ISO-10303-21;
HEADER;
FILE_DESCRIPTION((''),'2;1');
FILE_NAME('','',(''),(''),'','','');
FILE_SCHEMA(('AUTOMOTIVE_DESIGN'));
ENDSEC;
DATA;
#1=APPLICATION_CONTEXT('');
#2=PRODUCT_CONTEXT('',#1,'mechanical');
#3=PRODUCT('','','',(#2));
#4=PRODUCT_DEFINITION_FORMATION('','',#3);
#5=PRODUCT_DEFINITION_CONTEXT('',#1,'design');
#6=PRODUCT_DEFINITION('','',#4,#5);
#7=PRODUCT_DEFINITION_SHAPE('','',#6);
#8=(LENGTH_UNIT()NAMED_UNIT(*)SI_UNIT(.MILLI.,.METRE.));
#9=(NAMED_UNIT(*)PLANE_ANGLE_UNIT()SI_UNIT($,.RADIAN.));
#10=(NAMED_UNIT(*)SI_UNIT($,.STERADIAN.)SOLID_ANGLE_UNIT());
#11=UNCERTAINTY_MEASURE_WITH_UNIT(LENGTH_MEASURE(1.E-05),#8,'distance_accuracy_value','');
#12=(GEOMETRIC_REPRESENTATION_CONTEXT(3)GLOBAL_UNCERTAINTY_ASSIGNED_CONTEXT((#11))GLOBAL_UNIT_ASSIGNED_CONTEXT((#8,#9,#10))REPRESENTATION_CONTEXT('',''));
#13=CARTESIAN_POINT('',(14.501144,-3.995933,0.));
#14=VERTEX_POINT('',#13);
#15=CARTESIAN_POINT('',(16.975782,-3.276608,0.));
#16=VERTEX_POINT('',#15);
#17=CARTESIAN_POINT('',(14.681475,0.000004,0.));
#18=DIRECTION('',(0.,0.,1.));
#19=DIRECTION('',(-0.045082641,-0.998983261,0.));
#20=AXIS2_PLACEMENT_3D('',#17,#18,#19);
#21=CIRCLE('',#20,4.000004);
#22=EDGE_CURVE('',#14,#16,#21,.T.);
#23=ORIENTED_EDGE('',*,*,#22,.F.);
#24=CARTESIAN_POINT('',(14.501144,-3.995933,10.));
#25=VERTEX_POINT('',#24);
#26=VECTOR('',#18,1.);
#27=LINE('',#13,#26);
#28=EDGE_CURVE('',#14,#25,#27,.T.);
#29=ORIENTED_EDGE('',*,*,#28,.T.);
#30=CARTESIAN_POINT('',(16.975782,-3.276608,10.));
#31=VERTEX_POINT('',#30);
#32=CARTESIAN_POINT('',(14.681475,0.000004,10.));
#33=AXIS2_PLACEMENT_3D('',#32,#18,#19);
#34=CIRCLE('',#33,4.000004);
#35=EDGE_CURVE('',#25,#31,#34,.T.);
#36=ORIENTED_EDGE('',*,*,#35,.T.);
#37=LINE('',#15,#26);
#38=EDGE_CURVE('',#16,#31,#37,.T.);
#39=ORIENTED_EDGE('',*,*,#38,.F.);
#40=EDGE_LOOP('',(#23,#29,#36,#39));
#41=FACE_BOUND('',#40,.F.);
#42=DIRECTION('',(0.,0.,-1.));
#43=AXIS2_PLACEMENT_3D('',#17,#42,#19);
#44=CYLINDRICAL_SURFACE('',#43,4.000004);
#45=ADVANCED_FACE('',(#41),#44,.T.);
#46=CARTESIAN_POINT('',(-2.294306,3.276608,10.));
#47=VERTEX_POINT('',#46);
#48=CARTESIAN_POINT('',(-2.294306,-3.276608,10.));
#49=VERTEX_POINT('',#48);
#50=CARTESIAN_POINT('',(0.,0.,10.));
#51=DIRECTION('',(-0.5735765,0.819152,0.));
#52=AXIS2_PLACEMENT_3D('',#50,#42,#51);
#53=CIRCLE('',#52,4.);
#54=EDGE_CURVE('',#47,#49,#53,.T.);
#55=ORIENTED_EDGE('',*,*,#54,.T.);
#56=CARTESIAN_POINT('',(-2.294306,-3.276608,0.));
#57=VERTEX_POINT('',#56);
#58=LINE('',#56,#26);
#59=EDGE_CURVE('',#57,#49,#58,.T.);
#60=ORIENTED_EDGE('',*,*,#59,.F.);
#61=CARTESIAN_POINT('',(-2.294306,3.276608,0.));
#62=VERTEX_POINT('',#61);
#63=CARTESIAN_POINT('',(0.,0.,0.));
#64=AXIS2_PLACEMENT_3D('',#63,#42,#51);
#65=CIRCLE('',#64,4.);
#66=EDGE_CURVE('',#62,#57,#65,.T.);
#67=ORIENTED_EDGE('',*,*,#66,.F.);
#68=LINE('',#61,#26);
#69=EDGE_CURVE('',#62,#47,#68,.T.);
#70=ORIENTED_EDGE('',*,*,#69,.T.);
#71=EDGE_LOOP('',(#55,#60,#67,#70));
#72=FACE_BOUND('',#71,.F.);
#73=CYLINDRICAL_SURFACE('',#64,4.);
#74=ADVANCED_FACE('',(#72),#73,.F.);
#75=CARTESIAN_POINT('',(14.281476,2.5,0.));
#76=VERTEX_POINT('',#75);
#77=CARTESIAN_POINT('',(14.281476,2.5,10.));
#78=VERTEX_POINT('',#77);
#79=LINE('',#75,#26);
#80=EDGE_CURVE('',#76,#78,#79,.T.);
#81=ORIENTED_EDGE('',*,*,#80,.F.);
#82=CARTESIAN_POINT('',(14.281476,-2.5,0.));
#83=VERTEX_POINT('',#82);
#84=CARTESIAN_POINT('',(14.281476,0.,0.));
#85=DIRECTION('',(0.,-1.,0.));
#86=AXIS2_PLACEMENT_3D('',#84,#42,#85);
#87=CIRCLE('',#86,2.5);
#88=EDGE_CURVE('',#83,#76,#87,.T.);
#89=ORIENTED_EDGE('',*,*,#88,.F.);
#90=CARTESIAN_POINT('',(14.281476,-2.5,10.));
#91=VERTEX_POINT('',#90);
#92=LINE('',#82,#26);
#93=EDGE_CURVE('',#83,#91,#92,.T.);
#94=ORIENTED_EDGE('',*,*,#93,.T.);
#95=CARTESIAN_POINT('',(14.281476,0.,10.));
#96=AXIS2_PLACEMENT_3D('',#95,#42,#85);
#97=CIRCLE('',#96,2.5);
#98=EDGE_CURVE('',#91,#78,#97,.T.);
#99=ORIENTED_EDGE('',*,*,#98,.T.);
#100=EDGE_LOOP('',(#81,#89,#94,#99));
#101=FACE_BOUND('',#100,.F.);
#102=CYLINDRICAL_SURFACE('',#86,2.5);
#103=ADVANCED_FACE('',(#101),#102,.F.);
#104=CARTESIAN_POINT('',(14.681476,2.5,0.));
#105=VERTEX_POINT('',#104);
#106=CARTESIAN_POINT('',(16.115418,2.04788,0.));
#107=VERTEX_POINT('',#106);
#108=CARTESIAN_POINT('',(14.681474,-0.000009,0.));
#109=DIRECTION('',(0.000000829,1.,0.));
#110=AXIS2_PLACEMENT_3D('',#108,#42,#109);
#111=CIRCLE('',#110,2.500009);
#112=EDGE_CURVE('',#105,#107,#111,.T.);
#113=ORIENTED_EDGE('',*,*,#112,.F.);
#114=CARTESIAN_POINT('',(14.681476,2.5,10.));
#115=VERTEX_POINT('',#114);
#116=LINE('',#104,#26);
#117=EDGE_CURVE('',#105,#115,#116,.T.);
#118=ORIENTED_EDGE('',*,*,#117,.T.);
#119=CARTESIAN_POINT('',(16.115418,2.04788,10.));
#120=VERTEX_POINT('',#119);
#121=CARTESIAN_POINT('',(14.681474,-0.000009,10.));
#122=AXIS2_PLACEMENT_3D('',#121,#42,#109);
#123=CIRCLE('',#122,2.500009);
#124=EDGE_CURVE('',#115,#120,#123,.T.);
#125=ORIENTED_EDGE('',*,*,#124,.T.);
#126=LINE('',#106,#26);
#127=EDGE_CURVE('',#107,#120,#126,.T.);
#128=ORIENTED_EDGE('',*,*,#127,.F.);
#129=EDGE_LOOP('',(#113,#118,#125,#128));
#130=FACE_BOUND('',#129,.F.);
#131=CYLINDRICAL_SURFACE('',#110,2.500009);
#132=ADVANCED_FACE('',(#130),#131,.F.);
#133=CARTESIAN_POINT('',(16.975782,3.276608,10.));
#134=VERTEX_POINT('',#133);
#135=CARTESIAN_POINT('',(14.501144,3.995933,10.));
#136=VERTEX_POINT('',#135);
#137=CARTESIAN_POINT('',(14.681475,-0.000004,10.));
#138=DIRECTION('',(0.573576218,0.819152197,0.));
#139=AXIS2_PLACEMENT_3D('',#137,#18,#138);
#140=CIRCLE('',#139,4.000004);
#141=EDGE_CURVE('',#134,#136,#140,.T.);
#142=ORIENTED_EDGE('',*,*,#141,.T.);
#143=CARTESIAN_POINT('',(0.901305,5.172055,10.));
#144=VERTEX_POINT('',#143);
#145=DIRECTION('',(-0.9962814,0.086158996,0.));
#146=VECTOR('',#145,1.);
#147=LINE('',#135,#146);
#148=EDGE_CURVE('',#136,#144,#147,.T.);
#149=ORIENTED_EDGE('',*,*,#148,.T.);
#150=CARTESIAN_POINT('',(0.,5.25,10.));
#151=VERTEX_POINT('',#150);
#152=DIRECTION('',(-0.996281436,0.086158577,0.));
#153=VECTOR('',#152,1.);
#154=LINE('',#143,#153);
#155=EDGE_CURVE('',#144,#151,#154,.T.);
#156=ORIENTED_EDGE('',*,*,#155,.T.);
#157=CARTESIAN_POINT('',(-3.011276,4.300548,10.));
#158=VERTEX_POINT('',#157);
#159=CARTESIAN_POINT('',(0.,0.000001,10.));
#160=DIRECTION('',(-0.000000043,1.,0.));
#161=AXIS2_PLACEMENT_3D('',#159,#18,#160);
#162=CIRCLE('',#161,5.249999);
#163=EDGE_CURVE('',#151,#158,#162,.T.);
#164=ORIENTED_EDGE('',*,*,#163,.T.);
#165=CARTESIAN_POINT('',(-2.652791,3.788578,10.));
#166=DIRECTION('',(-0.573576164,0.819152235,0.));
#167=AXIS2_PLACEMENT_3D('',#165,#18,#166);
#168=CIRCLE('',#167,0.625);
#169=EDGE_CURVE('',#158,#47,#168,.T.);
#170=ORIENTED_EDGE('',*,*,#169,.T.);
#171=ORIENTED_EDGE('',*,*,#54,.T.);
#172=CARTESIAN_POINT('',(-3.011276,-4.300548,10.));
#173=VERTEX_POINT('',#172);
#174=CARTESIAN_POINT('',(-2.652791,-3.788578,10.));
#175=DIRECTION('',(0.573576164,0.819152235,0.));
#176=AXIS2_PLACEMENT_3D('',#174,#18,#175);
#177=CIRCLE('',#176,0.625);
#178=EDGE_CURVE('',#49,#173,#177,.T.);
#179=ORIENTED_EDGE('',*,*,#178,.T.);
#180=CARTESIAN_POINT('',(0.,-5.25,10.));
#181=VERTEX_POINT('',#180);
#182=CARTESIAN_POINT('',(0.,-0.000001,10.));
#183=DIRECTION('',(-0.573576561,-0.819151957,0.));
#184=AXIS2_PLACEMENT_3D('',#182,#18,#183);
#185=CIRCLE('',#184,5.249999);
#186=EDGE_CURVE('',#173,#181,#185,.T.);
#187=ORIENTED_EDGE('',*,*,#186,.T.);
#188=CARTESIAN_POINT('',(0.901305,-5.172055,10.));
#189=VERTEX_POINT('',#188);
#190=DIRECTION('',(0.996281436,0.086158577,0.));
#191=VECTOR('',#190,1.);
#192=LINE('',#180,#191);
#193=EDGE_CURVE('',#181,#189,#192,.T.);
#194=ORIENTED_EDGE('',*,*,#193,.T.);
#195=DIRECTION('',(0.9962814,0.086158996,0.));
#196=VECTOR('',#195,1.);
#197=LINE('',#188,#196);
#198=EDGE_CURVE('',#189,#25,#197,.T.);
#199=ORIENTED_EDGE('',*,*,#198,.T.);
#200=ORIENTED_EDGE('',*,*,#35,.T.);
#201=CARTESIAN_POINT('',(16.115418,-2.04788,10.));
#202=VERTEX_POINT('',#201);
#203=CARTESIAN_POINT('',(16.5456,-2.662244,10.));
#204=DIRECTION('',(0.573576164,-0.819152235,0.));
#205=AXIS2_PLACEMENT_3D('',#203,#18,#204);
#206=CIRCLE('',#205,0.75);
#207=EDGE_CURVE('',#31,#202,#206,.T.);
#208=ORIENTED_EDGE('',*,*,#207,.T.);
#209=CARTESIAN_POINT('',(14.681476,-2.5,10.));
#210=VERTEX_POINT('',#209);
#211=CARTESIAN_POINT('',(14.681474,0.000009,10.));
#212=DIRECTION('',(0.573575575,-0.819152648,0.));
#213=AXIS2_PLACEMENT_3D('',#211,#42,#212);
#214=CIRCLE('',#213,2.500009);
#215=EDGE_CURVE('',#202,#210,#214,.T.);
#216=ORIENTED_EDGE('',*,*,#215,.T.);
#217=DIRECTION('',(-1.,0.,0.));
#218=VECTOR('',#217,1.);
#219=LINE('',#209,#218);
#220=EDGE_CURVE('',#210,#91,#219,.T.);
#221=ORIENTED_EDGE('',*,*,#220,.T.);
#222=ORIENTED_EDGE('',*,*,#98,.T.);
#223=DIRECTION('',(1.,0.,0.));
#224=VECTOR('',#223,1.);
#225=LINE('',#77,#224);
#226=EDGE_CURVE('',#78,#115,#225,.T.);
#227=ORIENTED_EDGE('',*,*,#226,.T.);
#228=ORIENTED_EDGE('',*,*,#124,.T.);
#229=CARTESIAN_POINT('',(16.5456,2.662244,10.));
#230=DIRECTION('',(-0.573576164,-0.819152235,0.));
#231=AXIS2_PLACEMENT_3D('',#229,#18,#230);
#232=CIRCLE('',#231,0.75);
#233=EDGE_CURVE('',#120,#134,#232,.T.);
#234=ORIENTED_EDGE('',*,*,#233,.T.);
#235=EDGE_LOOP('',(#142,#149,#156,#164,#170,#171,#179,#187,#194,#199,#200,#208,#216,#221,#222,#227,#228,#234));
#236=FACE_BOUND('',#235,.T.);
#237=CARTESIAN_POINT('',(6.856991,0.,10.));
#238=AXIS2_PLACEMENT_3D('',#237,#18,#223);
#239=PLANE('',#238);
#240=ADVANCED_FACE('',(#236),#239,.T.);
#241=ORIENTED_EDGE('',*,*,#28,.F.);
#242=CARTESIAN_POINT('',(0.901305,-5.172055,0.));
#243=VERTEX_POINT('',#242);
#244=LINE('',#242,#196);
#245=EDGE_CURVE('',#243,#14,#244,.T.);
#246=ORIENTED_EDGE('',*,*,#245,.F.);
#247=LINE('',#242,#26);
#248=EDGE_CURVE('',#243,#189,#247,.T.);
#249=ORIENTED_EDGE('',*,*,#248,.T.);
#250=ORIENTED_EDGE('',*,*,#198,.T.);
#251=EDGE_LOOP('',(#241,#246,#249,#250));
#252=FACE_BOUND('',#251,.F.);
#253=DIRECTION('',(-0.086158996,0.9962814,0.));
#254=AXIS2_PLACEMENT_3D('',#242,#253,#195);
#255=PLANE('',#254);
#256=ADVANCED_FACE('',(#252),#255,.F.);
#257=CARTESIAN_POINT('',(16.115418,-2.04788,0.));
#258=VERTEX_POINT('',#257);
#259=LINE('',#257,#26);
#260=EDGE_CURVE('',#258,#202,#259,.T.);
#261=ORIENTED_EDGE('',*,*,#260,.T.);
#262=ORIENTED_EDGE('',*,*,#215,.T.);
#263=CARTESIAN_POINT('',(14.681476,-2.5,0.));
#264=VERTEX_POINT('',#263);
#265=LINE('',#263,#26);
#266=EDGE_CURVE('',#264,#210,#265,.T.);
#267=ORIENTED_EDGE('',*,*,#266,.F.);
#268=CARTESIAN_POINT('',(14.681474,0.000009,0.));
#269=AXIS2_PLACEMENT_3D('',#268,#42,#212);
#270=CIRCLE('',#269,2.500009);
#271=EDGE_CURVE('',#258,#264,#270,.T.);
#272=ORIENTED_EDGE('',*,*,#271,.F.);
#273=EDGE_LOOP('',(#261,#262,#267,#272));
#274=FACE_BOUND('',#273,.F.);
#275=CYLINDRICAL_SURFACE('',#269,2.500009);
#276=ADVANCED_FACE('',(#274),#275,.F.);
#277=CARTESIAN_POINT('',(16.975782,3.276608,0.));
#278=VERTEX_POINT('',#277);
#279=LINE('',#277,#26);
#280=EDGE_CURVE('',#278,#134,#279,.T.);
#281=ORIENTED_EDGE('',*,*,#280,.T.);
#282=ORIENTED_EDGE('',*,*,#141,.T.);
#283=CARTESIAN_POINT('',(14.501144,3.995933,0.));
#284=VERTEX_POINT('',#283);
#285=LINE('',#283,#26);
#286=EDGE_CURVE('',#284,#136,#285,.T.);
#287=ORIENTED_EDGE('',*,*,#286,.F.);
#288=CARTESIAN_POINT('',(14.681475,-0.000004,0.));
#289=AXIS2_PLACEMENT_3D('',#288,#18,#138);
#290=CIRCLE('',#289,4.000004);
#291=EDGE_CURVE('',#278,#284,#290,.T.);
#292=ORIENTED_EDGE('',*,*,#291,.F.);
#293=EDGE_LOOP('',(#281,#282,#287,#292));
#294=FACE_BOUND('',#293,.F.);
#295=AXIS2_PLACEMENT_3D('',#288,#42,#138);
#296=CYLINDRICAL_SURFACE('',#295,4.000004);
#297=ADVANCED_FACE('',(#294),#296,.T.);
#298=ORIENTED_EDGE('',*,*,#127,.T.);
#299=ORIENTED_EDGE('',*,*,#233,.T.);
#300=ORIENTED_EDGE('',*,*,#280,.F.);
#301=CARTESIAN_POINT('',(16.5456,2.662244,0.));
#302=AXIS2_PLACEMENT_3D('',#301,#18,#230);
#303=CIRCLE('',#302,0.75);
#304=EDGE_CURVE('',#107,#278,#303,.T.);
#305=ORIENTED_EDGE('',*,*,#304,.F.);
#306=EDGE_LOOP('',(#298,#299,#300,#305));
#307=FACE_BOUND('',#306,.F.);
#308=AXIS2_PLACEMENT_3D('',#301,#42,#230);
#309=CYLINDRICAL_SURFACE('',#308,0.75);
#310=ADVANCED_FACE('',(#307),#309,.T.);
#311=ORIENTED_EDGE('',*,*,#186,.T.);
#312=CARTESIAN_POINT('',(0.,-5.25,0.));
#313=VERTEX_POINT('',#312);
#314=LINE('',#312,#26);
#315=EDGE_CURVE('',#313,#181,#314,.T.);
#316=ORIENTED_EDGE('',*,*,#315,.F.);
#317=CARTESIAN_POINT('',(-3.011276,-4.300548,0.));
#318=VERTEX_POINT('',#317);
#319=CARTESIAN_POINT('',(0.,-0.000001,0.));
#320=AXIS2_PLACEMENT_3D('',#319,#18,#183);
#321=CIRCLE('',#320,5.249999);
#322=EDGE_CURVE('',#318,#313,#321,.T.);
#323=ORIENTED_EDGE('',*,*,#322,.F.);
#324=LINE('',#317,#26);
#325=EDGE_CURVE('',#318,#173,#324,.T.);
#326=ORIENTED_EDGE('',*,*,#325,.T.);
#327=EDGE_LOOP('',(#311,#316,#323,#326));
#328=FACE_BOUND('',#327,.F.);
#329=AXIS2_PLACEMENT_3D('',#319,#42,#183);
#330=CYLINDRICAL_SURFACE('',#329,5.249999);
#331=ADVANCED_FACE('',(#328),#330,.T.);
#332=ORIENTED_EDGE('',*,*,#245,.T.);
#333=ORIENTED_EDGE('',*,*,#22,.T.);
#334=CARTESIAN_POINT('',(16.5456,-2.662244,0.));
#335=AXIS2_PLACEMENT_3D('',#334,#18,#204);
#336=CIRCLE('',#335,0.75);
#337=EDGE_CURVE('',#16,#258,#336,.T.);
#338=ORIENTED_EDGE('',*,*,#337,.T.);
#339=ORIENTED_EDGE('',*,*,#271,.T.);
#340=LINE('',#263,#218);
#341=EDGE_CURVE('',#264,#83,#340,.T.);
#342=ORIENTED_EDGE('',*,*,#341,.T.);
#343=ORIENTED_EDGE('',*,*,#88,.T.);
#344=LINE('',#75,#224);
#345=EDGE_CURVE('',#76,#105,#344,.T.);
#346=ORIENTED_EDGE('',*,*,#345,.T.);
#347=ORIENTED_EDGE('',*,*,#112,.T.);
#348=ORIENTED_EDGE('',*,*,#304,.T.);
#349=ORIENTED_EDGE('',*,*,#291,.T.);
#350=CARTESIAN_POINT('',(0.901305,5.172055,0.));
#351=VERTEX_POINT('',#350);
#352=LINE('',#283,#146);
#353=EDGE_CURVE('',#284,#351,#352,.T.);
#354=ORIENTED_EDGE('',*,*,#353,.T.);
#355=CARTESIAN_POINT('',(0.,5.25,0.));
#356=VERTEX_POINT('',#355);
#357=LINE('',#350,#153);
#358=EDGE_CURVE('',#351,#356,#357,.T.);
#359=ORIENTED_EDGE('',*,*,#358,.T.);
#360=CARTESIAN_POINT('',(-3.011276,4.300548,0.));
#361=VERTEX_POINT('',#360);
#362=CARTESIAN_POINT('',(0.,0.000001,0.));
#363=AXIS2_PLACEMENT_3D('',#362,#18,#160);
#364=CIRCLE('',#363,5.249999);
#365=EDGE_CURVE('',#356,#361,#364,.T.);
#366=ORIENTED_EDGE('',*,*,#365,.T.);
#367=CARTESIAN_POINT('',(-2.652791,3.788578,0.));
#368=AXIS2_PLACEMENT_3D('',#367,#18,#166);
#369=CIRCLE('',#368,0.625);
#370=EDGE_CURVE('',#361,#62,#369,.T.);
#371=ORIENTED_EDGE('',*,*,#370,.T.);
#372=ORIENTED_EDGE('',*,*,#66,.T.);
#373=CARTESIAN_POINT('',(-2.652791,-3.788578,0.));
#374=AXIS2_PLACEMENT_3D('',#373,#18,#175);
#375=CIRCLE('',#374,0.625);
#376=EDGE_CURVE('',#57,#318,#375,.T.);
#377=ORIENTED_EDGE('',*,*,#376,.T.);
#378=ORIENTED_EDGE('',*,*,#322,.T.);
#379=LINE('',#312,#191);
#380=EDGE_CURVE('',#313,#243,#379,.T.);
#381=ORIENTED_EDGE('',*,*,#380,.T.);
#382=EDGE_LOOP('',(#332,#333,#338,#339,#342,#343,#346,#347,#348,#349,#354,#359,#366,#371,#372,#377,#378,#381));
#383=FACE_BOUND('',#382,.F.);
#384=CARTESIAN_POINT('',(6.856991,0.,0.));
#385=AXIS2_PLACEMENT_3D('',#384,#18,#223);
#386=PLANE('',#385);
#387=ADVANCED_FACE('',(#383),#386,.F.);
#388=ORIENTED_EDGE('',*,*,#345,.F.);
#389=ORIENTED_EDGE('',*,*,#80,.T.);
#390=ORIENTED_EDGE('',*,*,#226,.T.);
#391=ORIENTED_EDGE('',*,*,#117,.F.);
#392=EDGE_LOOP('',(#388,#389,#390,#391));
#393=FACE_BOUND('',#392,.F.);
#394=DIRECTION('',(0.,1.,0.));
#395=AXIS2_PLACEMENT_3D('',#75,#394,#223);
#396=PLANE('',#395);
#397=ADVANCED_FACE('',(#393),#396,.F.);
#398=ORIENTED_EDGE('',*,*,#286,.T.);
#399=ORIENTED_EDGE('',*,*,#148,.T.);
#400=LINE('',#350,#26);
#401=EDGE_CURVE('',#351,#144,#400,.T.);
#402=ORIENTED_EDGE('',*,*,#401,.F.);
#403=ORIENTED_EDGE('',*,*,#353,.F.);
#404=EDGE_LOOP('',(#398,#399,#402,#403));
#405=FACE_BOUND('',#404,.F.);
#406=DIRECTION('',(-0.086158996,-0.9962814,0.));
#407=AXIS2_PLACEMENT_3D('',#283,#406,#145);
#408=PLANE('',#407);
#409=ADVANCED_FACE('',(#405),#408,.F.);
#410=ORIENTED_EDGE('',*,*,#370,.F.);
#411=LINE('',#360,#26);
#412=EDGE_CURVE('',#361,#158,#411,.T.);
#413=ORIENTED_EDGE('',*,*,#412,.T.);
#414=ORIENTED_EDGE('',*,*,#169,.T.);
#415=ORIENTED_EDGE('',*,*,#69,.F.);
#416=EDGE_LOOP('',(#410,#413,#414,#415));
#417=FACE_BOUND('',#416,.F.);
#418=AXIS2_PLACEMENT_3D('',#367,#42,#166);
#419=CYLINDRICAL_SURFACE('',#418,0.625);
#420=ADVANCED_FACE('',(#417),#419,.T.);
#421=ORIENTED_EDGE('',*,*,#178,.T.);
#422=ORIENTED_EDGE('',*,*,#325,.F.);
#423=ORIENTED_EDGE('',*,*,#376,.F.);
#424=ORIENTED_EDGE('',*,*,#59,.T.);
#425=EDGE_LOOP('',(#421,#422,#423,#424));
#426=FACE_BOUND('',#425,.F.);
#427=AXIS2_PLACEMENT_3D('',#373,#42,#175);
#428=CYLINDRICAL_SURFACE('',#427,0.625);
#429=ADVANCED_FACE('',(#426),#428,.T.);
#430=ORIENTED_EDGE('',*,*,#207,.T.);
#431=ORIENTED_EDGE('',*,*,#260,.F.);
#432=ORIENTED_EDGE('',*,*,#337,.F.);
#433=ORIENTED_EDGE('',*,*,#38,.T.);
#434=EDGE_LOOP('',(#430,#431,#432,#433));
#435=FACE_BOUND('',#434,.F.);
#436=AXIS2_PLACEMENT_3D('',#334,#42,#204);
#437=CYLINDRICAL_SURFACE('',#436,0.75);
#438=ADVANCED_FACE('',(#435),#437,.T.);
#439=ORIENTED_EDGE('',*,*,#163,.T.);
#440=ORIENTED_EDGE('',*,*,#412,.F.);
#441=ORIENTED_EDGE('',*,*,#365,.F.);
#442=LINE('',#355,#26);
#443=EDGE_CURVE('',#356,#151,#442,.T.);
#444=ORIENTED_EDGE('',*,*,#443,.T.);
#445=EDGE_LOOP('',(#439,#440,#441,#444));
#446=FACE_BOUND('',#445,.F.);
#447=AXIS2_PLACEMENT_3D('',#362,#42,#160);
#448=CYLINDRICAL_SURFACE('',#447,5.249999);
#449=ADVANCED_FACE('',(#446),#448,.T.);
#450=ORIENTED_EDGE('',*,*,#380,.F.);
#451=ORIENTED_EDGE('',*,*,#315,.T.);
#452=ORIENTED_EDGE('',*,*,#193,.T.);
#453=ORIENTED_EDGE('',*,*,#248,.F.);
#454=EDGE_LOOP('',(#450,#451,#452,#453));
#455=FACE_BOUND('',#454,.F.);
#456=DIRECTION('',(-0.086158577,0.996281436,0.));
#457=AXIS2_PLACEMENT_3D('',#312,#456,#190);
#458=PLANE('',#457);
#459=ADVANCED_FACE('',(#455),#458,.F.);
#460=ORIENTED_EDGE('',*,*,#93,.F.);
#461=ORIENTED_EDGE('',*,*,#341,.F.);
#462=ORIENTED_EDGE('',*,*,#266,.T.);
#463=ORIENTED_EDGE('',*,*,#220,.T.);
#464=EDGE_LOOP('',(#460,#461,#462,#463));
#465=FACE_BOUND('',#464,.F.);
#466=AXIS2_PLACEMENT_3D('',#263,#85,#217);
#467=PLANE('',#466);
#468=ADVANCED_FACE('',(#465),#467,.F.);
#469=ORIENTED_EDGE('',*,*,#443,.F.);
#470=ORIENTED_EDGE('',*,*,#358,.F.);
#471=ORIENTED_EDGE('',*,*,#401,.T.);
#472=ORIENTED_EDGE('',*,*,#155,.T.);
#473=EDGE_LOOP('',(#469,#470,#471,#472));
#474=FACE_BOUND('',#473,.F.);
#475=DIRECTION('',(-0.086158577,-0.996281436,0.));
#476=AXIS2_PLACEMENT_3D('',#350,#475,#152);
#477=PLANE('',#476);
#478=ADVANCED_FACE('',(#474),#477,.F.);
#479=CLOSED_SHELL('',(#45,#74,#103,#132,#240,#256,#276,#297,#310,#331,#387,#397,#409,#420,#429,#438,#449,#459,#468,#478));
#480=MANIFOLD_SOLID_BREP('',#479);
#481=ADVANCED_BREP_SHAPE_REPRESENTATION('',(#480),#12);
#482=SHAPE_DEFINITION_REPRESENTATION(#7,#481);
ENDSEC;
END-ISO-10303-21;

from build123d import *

# Parameters (mm, degrees)
F1_DEPTH = 10


with BuildPart() as f1:
    # F0 (on Top) → F1 (new body)
    with BuildSketch(Plane.XY):
        with BuildLine():
            ThreePointArc((-2.294306, 3.276608), (4, 0), (-2.294306, -3.276608))
            ThreePointArc((-2.294306, -3.276608), (-3.164761, -3.430093), (-3.011276, -4.300548))
            ThreePointArc((-3.011276, -4.300548), (-1.578705, -5.007014), (0, -5.25))
            Line((0, -5.25), (0.901305, -5.172055))
            Line((0.901305, -5.172055), (14.501144, -3.995933))
            ThreePointArc((14.501144, -3.995933), (15.797979, -3.841018), (16.975782, -3.276608))
            ThreePointArc((16.975782, -3.276608), (17.159964, -2.232062), (16.115418, -2.04788))
            ThreePointArc((16.115418, -2.04788), (15.433241, -2.384292), (14.681476, -2.5))
            Line((14.681476, -2.5), (14.281476, -2.5))
            ThreePointArc((14.281476, -2.5), (11.781476, 0), (14.281476, 2.5))
            Line((14.281476, 2.5), (14.681476, 2.5))
            ThreePointArc((14.681476, 2.5), (15.433241, 2.384292), (16.115418, 2.04788))
            ThreePointArc((16.115418, 2.04788), (17.159964, 2.232062), (16.975782, 3.276608))
            ThreePointArc((16.975782, 3.276608), (15.797979, 3.841018), (14.501144, 3.995933))
            Line((14.501144, 3.995933), (0.901305, 5.172055))
            Line((0.901305, 5.172055), (0, 5.25))
            ThreePointArc((0, 5.25), (-1.578705, 5.007014), (-3.011276, 4.300548))
            ThreePointArc((-3.011276, 4.300548), (-3.164761, 3.430093), (-2.294306, 3.276608))
        make_face()
    extrude(amount=F1_DEPTH)


solid = f1.part
